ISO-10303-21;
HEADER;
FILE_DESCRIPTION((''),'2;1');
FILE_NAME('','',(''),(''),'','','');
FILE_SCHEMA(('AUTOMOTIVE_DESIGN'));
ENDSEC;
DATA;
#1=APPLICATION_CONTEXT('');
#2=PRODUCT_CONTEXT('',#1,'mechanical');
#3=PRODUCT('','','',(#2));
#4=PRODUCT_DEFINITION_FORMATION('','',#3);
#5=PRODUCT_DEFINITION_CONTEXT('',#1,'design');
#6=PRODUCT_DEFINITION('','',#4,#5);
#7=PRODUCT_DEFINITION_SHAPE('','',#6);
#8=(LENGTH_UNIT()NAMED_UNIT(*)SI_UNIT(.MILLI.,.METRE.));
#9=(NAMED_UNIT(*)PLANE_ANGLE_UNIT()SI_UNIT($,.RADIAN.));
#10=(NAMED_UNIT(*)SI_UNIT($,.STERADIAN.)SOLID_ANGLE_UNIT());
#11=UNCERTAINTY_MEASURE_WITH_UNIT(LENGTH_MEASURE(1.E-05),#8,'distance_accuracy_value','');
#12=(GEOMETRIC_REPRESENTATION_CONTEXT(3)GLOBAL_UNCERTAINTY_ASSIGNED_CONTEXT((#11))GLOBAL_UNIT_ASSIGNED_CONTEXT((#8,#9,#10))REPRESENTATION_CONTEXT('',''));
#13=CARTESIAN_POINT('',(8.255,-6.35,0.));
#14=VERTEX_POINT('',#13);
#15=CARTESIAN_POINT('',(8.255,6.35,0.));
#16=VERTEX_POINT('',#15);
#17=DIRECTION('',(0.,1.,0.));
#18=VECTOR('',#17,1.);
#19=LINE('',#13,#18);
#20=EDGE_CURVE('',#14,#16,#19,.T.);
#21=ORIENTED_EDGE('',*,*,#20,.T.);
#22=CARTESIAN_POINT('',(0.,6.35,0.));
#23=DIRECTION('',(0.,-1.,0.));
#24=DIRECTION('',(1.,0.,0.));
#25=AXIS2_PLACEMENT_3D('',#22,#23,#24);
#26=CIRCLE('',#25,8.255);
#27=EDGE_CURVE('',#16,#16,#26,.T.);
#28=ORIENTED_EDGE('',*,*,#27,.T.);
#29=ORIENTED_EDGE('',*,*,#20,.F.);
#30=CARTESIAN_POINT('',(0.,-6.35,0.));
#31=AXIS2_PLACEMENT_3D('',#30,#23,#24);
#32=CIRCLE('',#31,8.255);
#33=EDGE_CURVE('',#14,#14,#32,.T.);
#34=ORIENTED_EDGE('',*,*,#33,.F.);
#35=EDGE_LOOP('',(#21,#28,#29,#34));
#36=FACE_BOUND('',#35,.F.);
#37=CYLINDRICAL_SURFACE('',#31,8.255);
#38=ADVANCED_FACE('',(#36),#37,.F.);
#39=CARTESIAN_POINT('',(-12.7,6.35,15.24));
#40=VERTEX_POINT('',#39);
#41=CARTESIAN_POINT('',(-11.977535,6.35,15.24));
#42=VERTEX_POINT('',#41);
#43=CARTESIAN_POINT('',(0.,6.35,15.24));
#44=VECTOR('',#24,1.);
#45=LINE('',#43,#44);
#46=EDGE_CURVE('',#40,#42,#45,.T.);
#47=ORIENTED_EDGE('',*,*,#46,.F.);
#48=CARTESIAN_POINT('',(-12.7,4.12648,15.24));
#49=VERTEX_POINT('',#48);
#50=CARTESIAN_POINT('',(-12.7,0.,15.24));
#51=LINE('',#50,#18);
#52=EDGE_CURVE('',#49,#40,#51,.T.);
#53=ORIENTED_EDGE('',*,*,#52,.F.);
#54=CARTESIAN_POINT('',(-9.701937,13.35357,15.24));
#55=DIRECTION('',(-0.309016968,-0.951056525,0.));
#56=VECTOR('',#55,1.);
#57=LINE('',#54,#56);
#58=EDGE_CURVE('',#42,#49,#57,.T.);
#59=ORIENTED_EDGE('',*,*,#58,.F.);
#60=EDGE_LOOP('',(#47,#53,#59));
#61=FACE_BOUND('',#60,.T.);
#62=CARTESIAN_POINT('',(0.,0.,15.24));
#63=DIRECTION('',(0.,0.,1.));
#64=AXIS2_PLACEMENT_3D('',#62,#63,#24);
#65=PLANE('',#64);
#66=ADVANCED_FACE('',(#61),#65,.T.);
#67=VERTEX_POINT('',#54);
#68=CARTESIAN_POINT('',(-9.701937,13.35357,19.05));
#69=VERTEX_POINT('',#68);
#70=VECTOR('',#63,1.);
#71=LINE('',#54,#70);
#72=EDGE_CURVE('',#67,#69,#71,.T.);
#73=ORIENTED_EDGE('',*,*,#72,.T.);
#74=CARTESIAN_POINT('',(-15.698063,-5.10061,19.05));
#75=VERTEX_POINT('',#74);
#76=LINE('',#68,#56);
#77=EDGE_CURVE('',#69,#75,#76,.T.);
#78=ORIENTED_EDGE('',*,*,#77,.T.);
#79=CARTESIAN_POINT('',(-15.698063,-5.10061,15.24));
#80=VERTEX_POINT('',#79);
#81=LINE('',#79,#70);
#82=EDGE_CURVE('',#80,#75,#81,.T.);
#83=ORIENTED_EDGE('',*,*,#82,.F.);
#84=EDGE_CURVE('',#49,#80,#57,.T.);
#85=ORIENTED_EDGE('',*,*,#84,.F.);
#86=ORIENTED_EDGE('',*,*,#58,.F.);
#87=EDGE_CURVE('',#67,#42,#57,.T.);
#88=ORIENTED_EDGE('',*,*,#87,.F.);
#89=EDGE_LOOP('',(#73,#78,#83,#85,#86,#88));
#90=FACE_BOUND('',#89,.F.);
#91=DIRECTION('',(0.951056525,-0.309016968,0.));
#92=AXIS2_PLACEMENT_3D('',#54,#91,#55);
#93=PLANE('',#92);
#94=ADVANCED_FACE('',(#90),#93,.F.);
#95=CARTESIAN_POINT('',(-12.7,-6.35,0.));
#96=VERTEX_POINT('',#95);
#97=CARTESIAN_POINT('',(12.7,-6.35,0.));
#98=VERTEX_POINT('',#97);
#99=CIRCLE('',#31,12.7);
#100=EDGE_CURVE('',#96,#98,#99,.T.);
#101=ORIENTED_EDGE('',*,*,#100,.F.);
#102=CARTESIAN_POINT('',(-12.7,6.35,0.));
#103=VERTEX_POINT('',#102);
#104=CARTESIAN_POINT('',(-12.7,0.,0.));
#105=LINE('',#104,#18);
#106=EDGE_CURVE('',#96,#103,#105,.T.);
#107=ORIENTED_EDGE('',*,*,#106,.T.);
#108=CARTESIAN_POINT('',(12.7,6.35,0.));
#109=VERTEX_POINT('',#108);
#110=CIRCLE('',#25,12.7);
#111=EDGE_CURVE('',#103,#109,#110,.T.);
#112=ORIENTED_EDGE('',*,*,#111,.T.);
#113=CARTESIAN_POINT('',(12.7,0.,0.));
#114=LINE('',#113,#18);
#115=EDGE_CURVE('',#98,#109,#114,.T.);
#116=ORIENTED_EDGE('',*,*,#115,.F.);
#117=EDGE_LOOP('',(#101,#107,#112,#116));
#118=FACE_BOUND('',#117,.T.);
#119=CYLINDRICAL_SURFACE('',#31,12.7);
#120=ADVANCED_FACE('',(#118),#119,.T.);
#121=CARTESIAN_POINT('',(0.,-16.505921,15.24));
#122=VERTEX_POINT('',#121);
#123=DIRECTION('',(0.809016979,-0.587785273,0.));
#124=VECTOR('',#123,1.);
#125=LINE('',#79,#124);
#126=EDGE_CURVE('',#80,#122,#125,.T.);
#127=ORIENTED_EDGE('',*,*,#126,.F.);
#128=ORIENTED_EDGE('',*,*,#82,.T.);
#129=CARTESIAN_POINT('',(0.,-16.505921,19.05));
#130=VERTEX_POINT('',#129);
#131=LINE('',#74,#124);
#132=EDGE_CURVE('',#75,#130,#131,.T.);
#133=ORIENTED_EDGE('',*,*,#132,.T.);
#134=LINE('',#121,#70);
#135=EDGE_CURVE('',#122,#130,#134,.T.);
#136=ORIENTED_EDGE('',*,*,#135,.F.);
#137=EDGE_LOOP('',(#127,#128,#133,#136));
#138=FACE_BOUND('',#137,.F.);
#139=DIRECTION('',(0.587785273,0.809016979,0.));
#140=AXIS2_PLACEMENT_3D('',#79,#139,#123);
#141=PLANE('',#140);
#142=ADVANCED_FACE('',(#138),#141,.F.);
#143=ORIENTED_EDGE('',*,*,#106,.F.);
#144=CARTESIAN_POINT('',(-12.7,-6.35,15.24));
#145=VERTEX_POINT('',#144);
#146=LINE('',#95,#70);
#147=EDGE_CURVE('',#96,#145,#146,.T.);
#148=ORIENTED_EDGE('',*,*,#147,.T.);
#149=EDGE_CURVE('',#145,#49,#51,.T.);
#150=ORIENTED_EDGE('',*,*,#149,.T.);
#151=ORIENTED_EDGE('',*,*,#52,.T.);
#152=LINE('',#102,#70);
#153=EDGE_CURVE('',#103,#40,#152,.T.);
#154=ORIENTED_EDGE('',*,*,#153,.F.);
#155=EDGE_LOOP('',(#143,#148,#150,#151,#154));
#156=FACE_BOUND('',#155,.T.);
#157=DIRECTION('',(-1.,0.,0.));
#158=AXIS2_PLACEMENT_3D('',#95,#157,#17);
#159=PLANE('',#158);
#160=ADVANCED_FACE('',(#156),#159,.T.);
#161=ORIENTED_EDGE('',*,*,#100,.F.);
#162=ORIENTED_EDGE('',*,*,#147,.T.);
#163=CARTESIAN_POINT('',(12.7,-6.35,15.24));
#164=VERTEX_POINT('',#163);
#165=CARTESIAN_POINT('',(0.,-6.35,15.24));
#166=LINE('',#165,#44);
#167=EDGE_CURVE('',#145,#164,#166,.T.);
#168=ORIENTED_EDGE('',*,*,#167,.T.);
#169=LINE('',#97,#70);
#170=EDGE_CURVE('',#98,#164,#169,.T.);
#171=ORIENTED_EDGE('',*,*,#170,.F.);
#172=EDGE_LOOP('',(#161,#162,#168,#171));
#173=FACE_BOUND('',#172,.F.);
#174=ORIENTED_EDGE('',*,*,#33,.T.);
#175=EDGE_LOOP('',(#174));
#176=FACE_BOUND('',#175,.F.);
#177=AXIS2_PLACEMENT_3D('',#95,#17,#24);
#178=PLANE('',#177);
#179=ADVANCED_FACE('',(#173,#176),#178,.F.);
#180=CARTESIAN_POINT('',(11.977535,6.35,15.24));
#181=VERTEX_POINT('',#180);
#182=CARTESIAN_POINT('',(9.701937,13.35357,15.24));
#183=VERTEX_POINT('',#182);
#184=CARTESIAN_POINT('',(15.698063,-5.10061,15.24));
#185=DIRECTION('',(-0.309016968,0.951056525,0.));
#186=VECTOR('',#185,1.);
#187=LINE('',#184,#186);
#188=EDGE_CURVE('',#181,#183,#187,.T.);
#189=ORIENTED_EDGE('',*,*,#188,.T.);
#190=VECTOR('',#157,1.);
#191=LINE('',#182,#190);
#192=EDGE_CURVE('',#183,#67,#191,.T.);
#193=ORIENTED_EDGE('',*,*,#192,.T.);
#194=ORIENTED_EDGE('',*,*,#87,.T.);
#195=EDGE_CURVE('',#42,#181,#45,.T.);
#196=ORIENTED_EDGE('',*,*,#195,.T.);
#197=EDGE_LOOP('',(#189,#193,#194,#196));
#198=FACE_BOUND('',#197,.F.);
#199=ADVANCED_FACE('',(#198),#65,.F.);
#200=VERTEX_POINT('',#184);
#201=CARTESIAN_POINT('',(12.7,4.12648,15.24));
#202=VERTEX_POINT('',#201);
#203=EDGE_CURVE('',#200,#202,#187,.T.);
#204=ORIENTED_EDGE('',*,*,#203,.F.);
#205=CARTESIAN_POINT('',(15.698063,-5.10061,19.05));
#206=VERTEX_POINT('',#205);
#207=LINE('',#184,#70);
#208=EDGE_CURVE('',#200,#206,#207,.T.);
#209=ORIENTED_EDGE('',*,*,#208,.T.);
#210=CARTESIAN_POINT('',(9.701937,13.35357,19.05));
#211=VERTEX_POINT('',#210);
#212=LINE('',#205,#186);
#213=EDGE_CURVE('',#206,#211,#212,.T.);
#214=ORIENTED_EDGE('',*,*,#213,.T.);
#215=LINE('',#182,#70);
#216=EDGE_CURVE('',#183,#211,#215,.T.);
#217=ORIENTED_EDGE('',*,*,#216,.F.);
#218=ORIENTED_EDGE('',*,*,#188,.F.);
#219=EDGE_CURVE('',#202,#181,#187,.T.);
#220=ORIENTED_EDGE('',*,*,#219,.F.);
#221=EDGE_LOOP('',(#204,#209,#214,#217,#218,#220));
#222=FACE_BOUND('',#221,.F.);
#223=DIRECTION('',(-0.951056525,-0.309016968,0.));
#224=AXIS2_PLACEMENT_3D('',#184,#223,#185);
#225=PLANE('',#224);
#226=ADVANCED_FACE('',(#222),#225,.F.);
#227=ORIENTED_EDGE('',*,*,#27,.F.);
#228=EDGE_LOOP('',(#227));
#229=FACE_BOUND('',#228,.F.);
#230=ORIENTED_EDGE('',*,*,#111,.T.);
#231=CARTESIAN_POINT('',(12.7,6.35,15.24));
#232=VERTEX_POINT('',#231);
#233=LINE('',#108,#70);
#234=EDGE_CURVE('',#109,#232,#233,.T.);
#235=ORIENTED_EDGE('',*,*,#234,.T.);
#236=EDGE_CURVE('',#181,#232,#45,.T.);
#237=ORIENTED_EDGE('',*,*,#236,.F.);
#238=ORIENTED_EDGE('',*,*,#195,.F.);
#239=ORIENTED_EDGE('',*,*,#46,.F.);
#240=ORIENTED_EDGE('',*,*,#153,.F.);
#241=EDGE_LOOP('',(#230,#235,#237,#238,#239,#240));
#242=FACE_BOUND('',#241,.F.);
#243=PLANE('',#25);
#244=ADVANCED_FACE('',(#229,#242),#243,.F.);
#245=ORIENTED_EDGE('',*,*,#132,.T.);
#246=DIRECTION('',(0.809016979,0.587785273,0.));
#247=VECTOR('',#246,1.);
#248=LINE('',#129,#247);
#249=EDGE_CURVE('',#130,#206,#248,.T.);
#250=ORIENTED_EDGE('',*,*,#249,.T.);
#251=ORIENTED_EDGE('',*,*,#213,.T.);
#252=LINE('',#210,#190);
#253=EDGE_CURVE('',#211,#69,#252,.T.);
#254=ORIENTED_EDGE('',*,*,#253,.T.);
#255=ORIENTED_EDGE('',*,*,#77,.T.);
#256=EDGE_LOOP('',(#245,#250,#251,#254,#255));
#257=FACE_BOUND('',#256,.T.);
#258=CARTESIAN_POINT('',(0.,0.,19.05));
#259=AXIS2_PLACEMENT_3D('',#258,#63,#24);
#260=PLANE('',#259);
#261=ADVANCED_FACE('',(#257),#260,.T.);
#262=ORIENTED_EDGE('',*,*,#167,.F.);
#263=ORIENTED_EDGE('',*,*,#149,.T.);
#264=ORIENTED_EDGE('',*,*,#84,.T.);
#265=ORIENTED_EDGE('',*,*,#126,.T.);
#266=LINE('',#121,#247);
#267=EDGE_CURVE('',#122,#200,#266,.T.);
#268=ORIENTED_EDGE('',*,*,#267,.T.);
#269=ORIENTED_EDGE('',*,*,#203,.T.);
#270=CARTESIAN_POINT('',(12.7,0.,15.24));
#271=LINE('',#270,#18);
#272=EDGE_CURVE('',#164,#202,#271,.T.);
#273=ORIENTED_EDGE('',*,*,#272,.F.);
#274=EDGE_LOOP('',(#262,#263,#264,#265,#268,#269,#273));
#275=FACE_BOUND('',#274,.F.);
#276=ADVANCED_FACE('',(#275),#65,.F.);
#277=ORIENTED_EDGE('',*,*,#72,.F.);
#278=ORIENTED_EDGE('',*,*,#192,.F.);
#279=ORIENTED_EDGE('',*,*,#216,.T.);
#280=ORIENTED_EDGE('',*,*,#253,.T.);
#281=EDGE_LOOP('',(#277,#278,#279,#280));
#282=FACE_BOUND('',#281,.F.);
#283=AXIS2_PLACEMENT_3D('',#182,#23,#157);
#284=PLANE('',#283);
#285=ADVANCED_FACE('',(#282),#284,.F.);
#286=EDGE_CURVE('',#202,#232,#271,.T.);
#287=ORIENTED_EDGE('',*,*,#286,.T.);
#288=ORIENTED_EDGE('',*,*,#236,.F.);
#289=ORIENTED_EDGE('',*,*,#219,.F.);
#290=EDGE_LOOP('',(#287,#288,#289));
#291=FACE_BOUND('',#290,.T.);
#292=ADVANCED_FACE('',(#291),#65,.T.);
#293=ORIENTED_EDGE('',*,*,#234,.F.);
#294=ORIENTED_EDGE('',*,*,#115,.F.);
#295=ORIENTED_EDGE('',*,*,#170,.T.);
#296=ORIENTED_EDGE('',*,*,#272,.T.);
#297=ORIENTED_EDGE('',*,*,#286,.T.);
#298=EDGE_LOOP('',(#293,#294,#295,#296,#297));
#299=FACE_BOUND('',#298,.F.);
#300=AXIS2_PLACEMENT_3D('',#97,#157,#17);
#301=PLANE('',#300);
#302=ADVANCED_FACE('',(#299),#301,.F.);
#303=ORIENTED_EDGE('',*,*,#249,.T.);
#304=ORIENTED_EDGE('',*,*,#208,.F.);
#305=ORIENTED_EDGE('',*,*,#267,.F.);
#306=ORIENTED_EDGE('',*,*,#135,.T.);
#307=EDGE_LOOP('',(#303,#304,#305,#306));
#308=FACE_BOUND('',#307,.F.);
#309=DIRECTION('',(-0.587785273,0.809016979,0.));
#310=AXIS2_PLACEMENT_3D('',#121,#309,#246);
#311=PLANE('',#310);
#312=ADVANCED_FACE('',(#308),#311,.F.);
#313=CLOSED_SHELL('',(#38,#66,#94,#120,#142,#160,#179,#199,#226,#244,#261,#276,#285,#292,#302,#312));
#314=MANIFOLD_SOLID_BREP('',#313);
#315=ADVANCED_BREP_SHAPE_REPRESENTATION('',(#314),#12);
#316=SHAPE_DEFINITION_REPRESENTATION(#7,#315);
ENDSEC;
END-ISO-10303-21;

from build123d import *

# Parameters (mm, degrees)
F0_W     = 25.4
F0_H     = 12.7
F1_DEPTH = 15.24
F2_R     = 12.7
F3_DEPTH = 12.7
F4_R     = 8.255
F5_DEPTH = 25.4
F7_DEPTH = 3.81


with BuildPart() as f1:
    # F0 (on Top) → F1 (new body)
    with BuildSketch(Plane.XY):
        Rectangle(F0_W, F0_H)
    extrude(amount=F1_DEPTH)

    # F2 (on face) → F3 (join)
    with BuildSketch(Plane.XZ.offset(6.35)):
        Circle(F2_R)
    extrude(amount=-F3_DEPTH)

    # F4 (on face) → F5 (cut)
    with BuildSketch(Plane.XZ.offset(6.35)):
        Circle(F4_R)
    extrude(amount=-F5_DEPTH, mode=Mode.SUBTRACT)

    # F6 (on face) → F7 (join)
    with BuildSketch(Plane.XY.offset(15.24)):
        Polygon((15.698063, -5.10061), (9.701937, 13.35357), (-9.701937, 13.35357), (-15.698063, -5.10061), (0, -16.505921), align=None)
    extrude(amount=F7_DEPTH)


solid = f1.part
